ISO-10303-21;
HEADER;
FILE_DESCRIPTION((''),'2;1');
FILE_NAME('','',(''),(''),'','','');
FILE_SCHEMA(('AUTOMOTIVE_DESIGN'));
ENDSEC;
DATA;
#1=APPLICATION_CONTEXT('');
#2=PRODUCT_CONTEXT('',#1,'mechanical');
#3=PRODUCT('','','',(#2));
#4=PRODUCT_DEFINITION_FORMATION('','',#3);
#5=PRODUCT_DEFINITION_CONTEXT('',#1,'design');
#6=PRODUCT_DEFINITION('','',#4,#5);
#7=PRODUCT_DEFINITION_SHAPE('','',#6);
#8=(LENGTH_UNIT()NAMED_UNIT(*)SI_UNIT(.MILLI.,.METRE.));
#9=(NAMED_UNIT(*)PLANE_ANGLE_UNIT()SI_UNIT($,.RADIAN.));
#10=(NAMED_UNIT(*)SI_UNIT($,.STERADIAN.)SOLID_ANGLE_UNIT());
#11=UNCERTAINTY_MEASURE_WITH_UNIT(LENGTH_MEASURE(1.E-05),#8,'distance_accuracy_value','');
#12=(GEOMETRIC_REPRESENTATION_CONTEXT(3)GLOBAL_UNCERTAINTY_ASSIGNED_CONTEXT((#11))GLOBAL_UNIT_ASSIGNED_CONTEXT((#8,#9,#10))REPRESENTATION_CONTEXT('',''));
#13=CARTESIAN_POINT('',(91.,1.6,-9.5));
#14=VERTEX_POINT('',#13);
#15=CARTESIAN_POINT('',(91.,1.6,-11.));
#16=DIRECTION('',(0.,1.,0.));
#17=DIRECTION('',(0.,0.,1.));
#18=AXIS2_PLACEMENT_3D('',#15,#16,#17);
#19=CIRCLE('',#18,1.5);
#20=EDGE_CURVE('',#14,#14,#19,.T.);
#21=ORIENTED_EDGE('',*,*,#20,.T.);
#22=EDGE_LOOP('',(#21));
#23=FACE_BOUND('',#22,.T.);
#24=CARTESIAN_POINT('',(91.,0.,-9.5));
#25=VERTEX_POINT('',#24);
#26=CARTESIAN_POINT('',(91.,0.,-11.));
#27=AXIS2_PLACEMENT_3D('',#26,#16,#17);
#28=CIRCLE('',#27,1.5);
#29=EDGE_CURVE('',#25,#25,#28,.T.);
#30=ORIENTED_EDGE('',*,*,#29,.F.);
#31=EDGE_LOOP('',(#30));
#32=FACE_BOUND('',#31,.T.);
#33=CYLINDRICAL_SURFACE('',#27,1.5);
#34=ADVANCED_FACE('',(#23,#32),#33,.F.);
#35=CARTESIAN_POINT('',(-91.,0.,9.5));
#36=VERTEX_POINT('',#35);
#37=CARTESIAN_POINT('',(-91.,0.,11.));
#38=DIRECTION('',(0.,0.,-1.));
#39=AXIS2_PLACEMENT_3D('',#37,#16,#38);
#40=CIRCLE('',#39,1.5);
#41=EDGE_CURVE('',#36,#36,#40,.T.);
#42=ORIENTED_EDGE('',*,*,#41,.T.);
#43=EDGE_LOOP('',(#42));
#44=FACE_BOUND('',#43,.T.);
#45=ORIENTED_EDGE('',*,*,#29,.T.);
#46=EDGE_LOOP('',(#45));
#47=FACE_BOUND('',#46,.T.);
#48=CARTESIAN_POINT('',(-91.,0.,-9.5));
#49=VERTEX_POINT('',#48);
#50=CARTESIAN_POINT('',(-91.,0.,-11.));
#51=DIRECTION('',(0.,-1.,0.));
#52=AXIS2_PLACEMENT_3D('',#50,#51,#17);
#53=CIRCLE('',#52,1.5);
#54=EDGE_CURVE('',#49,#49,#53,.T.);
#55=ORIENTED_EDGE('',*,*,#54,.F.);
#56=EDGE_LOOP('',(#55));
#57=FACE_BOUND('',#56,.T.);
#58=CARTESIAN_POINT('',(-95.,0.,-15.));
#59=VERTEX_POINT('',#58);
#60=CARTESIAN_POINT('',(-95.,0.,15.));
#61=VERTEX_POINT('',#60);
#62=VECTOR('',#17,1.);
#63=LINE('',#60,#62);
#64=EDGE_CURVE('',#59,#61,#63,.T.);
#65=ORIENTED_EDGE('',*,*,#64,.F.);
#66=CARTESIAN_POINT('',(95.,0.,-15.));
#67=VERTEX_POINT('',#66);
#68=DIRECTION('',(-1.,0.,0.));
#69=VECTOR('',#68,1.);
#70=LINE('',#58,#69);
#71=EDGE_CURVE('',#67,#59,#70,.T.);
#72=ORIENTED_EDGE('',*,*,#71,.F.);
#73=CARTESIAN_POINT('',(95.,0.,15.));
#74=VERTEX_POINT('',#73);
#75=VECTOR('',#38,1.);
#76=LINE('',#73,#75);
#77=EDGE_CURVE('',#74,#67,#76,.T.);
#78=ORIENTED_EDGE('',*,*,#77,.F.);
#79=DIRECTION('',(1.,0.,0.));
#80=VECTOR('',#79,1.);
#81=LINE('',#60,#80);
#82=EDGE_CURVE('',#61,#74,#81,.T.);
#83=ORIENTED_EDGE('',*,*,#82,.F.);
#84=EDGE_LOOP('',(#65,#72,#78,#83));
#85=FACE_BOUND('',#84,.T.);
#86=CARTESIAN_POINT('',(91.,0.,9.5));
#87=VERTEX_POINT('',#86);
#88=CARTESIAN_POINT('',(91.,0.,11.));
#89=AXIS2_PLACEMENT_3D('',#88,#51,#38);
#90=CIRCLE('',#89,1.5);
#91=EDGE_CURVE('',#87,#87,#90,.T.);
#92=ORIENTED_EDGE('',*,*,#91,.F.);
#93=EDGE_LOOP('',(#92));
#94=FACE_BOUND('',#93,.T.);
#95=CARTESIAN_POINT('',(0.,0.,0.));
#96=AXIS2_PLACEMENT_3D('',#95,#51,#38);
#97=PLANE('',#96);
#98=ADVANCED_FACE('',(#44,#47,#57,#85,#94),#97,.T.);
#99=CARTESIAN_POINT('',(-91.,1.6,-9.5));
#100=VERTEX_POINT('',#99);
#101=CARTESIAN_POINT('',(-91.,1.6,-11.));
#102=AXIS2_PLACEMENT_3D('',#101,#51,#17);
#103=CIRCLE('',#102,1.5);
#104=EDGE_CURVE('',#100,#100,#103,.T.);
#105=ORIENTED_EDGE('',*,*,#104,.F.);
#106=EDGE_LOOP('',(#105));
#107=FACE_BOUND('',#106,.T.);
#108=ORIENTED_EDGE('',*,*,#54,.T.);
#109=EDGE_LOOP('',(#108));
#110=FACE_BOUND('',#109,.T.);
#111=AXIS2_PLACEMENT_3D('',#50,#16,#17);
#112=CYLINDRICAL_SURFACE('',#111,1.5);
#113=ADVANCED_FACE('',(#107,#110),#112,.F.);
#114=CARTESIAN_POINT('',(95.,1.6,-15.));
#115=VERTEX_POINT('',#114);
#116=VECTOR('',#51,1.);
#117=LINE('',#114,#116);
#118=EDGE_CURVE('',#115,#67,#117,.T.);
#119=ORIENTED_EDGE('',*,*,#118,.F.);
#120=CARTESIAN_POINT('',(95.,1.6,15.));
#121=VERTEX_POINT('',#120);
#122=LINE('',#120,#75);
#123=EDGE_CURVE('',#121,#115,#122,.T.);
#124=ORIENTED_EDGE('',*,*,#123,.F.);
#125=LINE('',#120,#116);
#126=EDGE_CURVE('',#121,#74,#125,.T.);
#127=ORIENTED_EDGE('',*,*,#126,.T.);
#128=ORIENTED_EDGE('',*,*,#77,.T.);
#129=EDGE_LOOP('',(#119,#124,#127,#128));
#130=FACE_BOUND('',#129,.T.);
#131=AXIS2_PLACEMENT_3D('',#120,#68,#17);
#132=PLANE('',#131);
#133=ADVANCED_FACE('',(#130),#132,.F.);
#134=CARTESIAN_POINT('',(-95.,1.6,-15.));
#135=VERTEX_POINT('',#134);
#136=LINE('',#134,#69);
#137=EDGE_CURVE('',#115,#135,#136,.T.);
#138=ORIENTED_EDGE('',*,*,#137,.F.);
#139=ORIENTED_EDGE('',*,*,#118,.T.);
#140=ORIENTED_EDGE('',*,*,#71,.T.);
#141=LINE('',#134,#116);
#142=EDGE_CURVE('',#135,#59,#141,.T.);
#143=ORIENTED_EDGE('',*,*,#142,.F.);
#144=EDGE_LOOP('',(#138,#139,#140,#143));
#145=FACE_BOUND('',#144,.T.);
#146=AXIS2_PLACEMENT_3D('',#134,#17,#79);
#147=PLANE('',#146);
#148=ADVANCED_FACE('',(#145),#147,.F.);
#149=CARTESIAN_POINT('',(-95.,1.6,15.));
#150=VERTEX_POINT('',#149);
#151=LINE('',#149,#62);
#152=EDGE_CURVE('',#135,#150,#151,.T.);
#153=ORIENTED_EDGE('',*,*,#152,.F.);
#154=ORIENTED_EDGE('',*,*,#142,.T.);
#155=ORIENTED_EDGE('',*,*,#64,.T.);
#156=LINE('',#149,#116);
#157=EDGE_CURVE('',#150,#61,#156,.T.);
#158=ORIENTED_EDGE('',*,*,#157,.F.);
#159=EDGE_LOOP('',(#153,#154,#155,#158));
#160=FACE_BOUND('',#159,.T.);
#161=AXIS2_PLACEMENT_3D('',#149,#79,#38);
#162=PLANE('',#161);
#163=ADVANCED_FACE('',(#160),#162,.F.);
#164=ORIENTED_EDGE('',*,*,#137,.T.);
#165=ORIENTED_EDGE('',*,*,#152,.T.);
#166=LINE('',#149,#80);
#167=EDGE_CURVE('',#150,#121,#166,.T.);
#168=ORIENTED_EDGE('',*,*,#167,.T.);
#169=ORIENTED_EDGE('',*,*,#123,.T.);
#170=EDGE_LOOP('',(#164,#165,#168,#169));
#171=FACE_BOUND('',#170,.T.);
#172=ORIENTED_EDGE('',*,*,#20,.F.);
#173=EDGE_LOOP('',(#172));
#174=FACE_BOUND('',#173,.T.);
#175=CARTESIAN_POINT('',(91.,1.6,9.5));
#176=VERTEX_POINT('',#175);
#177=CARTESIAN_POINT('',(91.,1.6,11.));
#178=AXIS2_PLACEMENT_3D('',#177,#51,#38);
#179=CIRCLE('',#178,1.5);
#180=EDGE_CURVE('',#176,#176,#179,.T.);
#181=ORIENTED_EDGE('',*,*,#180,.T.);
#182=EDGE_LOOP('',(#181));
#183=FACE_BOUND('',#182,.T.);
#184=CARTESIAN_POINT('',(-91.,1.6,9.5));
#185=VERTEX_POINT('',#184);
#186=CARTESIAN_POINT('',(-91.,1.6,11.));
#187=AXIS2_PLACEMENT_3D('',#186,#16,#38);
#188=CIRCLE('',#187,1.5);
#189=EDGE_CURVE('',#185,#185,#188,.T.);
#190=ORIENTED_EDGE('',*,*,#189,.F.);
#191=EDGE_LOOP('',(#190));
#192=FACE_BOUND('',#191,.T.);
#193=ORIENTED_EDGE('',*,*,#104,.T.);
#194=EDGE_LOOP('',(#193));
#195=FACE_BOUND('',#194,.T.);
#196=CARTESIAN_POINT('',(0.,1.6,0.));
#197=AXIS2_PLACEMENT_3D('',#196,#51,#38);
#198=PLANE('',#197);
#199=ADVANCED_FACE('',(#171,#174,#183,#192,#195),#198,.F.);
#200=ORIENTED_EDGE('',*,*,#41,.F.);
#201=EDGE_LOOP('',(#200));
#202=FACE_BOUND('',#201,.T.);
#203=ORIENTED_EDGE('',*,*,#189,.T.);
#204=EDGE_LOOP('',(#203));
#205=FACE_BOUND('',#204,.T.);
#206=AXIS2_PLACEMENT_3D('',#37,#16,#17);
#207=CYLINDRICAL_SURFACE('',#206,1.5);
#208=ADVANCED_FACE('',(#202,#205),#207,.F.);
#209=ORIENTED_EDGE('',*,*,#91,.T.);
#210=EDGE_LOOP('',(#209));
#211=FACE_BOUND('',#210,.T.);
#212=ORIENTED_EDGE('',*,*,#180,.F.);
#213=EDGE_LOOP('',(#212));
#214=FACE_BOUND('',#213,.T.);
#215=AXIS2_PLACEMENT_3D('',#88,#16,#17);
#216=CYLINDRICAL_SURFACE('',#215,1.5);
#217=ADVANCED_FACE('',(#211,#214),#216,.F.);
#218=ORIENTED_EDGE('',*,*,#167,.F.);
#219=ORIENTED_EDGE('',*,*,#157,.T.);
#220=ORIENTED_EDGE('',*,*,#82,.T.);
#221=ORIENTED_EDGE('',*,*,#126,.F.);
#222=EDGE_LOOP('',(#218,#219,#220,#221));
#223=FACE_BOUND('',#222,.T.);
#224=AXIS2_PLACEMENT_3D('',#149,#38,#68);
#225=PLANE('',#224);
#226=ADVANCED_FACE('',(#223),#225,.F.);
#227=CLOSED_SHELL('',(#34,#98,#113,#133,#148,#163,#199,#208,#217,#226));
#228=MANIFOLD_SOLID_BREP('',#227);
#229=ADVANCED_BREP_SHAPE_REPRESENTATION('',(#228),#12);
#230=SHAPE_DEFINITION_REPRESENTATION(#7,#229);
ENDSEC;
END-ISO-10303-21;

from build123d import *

# Parameters (mm, degrees)
SKETCH2_W               = 190
SKETCH2_H               = 30
BOSS_EXTRUDE1_DEPTH     = 1.6
SKETCH4_R               = 1.5
CUT_EXTRUDE2_DEPTH      = 1.6
MIRROR2_COPY_1_SKETCH_R = 1.5
MIRROR2_COPY_1_DEPTH    = 1.6


with BuildPart() as part:
    # Sketch2 → Boss-Extrude1 (new body)
    with BuildSketch(Plane(origin=(0, 0, 0), x_dir=(1, 0, 0), z_dir=(0, 1, 0))):
        Rectangle(SKETCH2_W, SKETCH2_H)
    extrude(amount=BOSS_EXTRUDE1_DEPTH)

    # Sketch4 → Cut-Extrude2 (cut)
    with BuildSketch(Plane(origin=(0, 1.6, 0), x_dir=(1, 0, 0), z_dir=(0, 1, 0))):
        with Locations((91, 11)):
            Circle(SKETCH4_R)
    cut_extrude2 = extrude(amount=-CUT_EXTRUDE2_DEPTH, mode=Mode.SUBTRACT)

    # Mirror1: Cut-Extrude2 across plane
    add(cut_extrude2.mirror(Plane.XY), mode=Mode.SUBTRACT)

    # Mirror2: Cut-Extrude2 across plane
    add(cut_extrude2.mirror(Plane(origin=(0, 0, 0), x_dir=(0, 0, 1), z_dir=(1, 0, 0))), mode=Mode.SUBTRACT)

    # Mirror2 copy 1 sketch → Mirror2 copy 1 (cut)
    with BuildSketch(Plane(origin=(0, 1.6, 0), x_dir=(-1, 0, 0), z_dir=(0, 1, 0))):
        with Locations((91, 11)):
            Circle(MIRROR2_COPY_1_SKETCH_R)
    extrude(amount=-MIRROR2_COPY_1_DEPTH, mode=Mode.SUBTRACT)


solid = part.part
